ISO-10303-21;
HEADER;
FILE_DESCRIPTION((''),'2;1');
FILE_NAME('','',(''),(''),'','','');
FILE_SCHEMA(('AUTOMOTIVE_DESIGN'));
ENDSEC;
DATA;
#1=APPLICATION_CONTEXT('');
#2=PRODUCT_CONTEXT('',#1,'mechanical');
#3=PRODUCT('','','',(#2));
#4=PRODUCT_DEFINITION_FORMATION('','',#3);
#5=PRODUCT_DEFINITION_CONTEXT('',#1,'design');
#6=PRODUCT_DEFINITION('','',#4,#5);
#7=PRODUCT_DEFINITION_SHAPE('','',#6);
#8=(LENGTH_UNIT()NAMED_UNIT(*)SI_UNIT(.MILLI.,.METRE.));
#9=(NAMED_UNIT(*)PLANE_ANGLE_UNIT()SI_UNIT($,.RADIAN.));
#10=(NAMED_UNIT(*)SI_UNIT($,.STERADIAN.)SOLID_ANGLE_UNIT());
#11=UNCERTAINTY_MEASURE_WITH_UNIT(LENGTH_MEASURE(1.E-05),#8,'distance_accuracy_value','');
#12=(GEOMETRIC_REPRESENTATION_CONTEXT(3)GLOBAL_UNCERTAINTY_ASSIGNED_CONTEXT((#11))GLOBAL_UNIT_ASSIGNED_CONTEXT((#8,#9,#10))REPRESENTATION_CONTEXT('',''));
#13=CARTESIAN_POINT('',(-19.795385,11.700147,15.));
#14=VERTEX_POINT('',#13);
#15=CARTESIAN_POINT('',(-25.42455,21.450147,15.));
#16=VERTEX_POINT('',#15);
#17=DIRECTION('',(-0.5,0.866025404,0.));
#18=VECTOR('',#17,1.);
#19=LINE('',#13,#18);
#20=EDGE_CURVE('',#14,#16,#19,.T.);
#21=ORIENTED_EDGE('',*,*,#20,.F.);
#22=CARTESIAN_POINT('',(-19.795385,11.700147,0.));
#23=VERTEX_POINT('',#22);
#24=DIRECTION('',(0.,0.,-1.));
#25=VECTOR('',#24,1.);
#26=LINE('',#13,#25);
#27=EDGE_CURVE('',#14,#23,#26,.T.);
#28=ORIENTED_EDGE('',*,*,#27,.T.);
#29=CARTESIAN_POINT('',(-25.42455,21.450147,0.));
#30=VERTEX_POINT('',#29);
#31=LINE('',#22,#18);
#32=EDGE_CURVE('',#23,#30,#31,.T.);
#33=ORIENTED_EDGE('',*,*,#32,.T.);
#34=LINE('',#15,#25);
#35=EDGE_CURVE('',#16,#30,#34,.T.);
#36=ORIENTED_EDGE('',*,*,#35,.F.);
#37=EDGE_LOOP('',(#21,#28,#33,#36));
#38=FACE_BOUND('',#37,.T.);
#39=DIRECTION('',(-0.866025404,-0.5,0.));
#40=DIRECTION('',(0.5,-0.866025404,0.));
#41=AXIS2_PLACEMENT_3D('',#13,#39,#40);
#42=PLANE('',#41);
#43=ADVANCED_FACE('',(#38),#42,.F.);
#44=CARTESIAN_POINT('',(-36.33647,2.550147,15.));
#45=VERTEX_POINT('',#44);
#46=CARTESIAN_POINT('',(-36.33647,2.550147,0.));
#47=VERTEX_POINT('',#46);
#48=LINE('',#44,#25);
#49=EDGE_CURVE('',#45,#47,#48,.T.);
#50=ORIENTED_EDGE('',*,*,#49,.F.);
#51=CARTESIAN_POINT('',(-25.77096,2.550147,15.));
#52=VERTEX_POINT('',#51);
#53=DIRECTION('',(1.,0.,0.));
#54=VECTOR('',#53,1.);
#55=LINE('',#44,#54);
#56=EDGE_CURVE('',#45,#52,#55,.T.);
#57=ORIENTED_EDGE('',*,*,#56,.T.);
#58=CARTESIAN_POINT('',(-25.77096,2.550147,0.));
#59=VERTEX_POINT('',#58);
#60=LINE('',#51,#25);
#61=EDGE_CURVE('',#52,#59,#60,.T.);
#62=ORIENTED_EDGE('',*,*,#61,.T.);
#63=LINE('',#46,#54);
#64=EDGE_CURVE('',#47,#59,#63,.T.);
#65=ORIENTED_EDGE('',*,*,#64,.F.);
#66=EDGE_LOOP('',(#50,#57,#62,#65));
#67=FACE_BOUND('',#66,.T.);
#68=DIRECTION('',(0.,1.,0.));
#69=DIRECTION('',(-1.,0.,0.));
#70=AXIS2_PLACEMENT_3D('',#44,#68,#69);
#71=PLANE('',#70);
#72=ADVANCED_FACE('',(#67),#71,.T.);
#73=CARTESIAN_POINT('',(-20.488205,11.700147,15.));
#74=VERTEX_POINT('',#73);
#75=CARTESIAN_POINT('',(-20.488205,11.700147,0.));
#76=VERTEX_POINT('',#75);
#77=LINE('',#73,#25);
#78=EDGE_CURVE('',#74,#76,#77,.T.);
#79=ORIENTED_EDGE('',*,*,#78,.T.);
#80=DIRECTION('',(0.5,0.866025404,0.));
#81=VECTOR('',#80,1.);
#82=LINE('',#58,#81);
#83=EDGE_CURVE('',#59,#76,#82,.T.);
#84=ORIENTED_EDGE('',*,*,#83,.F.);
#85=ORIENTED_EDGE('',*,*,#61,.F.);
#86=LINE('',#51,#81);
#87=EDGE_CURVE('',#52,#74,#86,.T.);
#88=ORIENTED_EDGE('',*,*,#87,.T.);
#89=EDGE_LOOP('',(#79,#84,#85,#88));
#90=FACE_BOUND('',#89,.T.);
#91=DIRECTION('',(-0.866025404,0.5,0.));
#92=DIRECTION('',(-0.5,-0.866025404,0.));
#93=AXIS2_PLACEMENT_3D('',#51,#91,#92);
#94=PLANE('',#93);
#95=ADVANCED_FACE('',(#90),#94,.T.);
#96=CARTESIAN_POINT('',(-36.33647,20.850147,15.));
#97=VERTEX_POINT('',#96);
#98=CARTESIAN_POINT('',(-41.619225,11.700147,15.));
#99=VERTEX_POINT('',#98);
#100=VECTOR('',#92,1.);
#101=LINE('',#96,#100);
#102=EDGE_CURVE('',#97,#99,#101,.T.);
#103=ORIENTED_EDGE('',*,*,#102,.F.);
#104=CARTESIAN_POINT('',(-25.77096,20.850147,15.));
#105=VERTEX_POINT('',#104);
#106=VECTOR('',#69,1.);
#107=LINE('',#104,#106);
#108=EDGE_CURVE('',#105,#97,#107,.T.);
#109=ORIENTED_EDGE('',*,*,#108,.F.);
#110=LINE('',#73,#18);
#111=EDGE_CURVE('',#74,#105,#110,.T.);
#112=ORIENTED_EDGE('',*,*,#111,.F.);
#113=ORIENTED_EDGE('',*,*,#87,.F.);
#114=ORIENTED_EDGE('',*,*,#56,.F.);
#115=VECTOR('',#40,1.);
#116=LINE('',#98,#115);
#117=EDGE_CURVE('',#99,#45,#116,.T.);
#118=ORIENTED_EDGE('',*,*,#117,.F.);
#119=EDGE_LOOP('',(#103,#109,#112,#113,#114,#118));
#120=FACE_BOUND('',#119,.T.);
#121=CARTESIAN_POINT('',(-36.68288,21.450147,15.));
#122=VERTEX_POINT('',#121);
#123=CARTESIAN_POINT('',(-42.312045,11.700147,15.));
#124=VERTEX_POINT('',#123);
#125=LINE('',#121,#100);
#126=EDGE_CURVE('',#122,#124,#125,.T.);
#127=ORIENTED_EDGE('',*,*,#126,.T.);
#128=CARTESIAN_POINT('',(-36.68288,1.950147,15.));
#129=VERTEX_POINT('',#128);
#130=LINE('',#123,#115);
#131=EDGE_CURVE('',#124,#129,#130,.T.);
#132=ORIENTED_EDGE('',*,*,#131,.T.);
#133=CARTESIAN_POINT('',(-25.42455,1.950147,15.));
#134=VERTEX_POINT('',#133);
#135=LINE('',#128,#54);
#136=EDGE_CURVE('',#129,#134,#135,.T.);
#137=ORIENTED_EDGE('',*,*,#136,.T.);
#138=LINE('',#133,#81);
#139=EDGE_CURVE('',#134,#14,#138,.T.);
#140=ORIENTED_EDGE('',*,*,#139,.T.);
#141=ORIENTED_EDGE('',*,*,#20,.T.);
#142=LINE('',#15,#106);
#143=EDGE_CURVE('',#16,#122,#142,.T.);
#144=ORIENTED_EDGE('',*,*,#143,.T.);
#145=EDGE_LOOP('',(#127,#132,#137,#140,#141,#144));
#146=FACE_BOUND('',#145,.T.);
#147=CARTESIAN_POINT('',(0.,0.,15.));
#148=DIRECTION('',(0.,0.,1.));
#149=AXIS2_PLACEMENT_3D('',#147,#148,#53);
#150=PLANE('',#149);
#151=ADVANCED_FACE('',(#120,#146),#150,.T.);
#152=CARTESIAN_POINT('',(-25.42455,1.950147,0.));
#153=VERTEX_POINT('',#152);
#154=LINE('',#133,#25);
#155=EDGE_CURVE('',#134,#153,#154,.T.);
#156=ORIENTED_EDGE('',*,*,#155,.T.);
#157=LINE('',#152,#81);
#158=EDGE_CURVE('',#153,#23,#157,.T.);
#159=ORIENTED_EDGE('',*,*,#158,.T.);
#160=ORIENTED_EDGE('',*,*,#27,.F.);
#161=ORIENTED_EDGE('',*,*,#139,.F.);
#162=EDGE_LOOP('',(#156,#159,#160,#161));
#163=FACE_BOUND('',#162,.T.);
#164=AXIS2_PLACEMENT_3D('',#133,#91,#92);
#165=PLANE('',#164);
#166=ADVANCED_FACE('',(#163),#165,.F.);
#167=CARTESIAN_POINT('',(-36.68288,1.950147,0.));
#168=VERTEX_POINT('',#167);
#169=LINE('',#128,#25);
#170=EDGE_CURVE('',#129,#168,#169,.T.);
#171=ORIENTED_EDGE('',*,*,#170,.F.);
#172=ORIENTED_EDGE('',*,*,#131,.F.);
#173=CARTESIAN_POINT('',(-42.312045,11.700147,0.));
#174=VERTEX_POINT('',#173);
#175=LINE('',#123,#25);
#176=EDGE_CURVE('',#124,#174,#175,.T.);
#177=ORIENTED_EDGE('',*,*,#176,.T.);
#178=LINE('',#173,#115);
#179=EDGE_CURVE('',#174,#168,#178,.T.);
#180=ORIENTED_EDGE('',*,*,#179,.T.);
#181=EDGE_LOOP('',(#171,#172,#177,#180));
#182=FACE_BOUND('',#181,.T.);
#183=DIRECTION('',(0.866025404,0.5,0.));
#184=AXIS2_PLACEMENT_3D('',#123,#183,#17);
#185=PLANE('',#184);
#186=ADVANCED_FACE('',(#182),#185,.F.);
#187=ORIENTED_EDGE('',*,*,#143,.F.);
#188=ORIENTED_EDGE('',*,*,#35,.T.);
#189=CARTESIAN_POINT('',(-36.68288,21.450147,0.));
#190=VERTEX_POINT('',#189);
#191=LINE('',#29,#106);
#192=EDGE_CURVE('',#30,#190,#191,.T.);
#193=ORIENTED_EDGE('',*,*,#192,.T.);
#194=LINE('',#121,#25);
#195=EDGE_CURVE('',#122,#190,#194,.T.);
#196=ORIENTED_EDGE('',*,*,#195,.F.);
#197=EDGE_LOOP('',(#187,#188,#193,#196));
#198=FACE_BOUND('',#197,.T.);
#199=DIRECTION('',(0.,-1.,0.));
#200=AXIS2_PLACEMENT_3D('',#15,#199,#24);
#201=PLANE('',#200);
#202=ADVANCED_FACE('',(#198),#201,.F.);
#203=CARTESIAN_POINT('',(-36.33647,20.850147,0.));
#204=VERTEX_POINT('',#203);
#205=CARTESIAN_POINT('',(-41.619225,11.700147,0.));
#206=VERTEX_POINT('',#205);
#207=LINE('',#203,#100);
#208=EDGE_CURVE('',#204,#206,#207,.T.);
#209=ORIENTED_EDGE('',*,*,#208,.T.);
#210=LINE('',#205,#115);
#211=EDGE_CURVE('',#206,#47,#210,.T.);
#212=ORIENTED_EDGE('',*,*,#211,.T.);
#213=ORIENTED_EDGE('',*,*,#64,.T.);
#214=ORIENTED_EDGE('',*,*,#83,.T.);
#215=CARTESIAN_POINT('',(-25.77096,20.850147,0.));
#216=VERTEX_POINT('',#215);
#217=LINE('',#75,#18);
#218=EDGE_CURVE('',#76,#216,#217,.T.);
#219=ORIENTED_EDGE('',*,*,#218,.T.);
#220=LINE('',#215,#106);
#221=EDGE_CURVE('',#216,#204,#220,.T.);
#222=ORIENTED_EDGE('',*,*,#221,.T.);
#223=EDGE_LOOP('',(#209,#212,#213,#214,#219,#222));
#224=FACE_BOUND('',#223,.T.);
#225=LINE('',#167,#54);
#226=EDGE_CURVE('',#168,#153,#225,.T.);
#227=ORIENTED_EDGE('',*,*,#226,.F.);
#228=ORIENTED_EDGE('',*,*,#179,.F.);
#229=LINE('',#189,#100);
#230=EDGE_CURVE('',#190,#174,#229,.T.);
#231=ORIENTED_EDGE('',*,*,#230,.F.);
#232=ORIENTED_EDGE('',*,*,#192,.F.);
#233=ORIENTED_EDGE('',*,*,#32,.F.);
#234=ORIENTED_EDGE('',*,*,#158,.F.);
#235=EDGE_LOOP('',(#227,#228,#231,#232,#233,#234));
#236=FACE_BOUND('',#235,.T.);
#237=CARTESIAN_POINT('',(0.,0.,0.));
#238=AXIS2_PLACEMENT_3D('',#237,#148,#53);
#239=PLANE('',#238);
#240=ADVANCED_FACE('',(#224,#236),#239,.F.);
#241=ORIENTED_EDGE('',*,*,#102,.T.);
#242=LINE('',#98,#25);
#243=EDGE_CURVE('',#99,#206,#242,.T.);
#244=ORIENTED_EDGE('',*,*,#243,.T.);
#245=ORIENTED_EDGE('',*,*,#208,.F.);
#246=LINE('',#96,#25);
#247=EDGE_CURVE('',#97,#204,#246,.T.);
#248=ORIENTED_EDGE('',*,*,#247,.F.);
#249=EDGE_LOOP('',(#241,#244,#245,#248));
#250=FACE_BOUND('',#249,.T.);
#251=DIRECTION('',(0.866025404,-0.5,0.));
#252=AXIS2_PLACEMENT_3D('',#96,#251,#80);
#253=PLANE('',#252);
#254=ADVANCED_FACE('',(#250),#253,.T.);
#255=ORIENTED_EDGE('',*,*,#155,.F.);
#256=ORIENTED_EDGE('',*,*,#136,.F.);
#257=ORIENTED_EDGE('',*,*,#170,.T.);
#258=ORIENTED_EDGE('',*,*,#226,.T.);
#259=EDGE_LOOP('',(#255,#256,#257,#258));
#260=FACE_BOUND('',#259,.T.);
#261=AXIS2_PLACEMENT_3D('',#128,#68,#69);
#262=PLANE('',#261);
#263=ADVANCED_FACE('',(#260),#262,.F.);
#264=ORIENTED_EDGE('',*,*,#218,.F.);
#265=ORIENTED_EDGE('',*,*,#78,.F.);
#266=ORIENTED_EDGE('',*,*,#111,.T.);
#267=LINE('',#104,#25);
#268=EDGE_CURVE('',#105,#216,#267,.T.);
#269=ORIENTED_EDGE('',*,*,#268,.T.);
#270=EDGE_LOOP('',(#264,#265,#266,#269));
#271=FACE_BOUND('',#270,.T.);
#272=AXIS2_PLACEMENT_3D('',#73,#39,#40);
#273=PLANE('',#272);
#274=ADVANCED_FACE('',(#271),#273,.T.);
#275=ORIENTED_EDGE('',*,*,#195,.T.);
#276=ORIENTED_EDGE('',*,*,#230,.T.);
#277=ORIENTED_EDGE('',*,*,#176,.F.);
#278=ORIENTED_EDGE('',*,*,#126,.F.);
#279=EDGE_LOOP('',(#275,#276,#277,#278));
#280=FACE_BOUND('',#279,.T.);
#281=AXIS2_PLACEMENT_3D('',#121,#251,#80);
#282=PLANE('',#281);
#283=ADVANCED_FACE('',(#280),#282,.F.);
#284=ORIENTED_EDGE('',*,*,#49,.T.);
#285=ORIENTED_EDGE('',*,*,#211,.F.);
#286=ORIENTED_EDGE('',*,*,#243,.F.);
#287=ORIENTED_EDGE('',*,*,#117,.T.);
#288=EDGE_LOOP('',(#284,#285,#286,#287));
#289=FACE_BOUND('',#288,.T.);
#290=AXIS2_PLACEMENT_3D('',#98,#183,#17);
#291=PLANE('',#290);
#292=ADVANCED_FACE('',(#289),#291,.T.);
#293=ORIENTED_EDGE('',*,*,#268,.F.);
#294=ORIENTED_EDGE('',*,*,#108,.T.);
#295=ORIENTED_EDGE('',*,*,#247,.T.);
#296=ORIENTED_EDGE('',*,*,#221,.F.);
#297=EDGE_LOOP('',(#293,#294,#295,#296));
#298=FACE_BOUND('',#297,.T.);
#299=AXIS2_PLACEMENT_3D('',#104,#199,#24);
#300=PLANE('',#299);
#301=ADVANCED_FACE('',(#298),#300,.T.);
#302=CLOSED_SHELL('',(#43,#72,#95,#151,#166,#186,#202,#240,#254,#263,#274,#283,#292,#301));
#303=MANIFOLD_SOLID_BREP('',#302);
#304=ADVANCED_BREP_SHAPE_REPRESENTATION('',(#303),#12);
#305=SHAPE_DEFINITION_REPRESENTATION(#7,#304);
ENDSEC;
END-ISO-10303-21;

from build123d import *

# Parameters (mm, degrees)
SALIENTE_EXTRUIR1_DEPTH = 15


with BuildPart() as part:
    # Croquis1 → Saliente-Extruir1 (new body)
    with BuildSketch(Plane.XY):
        Polygon((-19.795384964, 11.700146519), (-25.424550089, 21.450146519), (-36.682880338, 21.450146519), (-42.312045463, 11.700146519), (-36.682880338, 1.950146519), (-25.424550089, 1.950146519), align=None)
        Polygon((-20.488205287, 11.700146519), (-25.77096025, 20.850146519), (-36.336470177, 20.850146519), (-41.61922514, 11.700146519), (-36.336470177, 2.550146519), (-25.77096025, 2.550146519), align=None, mode=Mode.SUBTRACT)
    extrude(amount=SALIENTE_EXTRUIR1_DEPTH)


solid = part.part
